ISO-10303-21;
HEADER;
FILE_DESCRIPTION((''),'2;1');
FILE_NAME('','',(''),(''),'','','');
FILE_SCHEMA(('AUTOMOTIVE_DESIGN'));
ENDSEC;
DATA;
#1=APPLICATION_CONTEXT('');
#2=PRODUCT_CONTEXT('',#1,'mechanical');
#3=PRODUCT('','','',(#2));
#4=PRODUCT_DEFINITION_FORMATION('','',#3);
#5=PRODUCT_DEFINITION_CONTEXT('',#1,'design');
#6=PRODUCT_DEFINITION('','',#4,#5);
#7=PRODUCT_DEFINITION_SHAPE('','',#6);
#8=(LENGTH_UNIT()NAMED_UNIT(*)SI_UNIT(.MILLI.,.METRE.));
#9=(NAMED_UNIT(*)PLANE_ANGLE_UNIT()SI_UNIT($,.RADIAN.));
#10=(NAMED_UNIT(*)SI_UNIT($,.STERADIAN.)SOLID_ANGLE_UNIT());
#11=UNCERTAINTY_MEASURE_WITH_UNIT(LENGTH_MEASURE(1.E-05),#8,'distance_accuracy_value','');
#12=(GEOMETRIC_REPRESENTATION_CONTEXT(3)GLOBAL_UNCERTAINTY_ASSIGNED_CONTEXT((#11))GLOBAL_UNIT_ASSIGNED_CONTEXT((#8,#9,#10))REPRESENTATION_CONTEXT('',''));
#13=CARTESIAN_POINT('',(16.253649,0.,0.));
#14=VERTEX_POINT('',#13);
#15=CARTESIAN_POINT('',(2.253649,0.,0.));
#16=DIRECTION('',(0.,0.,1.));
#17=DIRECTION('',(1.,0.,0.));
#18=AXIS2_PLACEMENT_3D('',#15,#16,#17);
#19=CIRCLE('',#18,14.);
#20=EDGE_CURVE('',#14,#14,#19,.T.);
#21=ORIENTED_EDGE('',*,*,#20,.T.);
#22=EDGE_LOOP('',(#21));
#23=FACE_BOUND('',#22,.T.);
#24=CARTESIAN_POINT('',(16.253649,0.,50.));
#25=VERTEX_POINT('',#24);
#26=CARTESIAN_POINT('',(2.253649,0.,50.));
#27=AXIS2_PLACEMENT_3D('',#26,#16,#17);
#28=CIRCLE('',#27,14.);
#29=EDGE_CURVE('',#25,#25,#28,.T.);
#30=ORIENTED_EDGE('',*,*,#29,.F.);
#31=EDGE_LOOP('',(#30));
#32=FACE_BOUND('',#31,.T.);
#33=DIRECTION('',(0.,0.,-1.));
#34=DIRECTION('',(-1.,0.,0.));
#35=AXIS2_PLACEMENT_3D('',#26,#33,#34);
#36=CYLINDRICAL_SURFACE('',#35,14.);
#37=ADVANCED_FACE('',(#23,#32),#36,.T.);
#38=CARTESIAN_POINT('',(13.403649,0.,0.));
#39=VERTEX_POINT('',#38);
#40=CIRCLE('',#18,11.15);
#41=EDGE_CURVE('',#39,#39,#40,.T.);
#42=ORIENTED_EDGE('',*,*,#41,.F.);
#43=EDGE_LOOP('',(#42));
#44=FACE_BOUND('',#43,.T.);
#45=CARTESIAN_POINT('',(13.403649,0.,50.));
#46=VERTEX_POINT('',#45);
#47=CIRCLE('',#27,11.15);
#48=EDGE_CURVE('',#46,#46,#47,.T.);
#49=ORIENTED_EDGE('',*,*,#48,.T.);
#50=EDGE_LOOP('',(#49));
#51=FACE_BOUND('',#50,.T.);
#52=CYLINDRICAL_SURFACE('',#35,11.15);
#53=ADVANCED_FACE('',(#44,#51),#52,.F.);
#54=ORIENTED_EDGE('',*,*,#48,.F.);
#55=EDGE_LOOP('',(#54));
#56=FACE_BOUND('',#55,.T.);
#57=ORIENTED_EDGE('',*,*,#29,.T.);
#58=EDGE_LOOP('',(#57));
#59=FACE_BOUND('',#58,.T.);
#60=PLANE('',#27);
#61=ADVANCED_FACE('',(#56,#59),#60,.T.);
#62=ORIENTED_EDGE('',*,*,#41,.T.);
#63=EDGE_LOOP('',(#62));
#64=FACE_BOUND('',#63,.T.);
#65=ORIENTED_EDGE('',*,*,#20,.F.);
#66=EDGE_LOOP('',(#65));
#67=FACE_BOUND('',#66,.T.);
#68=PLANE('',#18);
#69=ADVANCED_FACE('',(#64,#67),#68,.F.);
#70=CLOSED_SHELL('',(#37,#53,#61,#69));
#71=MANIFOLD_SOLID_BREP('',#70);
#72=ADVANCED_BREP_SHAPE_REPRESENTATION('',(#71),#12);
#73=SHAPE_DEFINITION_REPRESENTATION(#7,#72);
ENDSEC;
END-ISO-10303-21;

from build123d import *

# Parameters (mm, degrees)
ESBO_O1_R                = 14
ESBO_O1_R_2              = 11.15
RESSALTO_EXTRUS_O1_DEPTH = 50


with BuildPart() as part:
    # Esboço1 → Ressalto-extrusão1 (new body)
    with BuildSketch(Plane.XY):
        with Locations((2.253649096, 0)):
            Circle(ESBO_O1_R)
        with Locations((2.253649096, 0)):
            Circle(ESBO_O1_R_2, mode=Mode.SUBTRACT)
    extrude(amount=RESSALTO_EXTRUS_O1_DEPTH)


solid = part.part
